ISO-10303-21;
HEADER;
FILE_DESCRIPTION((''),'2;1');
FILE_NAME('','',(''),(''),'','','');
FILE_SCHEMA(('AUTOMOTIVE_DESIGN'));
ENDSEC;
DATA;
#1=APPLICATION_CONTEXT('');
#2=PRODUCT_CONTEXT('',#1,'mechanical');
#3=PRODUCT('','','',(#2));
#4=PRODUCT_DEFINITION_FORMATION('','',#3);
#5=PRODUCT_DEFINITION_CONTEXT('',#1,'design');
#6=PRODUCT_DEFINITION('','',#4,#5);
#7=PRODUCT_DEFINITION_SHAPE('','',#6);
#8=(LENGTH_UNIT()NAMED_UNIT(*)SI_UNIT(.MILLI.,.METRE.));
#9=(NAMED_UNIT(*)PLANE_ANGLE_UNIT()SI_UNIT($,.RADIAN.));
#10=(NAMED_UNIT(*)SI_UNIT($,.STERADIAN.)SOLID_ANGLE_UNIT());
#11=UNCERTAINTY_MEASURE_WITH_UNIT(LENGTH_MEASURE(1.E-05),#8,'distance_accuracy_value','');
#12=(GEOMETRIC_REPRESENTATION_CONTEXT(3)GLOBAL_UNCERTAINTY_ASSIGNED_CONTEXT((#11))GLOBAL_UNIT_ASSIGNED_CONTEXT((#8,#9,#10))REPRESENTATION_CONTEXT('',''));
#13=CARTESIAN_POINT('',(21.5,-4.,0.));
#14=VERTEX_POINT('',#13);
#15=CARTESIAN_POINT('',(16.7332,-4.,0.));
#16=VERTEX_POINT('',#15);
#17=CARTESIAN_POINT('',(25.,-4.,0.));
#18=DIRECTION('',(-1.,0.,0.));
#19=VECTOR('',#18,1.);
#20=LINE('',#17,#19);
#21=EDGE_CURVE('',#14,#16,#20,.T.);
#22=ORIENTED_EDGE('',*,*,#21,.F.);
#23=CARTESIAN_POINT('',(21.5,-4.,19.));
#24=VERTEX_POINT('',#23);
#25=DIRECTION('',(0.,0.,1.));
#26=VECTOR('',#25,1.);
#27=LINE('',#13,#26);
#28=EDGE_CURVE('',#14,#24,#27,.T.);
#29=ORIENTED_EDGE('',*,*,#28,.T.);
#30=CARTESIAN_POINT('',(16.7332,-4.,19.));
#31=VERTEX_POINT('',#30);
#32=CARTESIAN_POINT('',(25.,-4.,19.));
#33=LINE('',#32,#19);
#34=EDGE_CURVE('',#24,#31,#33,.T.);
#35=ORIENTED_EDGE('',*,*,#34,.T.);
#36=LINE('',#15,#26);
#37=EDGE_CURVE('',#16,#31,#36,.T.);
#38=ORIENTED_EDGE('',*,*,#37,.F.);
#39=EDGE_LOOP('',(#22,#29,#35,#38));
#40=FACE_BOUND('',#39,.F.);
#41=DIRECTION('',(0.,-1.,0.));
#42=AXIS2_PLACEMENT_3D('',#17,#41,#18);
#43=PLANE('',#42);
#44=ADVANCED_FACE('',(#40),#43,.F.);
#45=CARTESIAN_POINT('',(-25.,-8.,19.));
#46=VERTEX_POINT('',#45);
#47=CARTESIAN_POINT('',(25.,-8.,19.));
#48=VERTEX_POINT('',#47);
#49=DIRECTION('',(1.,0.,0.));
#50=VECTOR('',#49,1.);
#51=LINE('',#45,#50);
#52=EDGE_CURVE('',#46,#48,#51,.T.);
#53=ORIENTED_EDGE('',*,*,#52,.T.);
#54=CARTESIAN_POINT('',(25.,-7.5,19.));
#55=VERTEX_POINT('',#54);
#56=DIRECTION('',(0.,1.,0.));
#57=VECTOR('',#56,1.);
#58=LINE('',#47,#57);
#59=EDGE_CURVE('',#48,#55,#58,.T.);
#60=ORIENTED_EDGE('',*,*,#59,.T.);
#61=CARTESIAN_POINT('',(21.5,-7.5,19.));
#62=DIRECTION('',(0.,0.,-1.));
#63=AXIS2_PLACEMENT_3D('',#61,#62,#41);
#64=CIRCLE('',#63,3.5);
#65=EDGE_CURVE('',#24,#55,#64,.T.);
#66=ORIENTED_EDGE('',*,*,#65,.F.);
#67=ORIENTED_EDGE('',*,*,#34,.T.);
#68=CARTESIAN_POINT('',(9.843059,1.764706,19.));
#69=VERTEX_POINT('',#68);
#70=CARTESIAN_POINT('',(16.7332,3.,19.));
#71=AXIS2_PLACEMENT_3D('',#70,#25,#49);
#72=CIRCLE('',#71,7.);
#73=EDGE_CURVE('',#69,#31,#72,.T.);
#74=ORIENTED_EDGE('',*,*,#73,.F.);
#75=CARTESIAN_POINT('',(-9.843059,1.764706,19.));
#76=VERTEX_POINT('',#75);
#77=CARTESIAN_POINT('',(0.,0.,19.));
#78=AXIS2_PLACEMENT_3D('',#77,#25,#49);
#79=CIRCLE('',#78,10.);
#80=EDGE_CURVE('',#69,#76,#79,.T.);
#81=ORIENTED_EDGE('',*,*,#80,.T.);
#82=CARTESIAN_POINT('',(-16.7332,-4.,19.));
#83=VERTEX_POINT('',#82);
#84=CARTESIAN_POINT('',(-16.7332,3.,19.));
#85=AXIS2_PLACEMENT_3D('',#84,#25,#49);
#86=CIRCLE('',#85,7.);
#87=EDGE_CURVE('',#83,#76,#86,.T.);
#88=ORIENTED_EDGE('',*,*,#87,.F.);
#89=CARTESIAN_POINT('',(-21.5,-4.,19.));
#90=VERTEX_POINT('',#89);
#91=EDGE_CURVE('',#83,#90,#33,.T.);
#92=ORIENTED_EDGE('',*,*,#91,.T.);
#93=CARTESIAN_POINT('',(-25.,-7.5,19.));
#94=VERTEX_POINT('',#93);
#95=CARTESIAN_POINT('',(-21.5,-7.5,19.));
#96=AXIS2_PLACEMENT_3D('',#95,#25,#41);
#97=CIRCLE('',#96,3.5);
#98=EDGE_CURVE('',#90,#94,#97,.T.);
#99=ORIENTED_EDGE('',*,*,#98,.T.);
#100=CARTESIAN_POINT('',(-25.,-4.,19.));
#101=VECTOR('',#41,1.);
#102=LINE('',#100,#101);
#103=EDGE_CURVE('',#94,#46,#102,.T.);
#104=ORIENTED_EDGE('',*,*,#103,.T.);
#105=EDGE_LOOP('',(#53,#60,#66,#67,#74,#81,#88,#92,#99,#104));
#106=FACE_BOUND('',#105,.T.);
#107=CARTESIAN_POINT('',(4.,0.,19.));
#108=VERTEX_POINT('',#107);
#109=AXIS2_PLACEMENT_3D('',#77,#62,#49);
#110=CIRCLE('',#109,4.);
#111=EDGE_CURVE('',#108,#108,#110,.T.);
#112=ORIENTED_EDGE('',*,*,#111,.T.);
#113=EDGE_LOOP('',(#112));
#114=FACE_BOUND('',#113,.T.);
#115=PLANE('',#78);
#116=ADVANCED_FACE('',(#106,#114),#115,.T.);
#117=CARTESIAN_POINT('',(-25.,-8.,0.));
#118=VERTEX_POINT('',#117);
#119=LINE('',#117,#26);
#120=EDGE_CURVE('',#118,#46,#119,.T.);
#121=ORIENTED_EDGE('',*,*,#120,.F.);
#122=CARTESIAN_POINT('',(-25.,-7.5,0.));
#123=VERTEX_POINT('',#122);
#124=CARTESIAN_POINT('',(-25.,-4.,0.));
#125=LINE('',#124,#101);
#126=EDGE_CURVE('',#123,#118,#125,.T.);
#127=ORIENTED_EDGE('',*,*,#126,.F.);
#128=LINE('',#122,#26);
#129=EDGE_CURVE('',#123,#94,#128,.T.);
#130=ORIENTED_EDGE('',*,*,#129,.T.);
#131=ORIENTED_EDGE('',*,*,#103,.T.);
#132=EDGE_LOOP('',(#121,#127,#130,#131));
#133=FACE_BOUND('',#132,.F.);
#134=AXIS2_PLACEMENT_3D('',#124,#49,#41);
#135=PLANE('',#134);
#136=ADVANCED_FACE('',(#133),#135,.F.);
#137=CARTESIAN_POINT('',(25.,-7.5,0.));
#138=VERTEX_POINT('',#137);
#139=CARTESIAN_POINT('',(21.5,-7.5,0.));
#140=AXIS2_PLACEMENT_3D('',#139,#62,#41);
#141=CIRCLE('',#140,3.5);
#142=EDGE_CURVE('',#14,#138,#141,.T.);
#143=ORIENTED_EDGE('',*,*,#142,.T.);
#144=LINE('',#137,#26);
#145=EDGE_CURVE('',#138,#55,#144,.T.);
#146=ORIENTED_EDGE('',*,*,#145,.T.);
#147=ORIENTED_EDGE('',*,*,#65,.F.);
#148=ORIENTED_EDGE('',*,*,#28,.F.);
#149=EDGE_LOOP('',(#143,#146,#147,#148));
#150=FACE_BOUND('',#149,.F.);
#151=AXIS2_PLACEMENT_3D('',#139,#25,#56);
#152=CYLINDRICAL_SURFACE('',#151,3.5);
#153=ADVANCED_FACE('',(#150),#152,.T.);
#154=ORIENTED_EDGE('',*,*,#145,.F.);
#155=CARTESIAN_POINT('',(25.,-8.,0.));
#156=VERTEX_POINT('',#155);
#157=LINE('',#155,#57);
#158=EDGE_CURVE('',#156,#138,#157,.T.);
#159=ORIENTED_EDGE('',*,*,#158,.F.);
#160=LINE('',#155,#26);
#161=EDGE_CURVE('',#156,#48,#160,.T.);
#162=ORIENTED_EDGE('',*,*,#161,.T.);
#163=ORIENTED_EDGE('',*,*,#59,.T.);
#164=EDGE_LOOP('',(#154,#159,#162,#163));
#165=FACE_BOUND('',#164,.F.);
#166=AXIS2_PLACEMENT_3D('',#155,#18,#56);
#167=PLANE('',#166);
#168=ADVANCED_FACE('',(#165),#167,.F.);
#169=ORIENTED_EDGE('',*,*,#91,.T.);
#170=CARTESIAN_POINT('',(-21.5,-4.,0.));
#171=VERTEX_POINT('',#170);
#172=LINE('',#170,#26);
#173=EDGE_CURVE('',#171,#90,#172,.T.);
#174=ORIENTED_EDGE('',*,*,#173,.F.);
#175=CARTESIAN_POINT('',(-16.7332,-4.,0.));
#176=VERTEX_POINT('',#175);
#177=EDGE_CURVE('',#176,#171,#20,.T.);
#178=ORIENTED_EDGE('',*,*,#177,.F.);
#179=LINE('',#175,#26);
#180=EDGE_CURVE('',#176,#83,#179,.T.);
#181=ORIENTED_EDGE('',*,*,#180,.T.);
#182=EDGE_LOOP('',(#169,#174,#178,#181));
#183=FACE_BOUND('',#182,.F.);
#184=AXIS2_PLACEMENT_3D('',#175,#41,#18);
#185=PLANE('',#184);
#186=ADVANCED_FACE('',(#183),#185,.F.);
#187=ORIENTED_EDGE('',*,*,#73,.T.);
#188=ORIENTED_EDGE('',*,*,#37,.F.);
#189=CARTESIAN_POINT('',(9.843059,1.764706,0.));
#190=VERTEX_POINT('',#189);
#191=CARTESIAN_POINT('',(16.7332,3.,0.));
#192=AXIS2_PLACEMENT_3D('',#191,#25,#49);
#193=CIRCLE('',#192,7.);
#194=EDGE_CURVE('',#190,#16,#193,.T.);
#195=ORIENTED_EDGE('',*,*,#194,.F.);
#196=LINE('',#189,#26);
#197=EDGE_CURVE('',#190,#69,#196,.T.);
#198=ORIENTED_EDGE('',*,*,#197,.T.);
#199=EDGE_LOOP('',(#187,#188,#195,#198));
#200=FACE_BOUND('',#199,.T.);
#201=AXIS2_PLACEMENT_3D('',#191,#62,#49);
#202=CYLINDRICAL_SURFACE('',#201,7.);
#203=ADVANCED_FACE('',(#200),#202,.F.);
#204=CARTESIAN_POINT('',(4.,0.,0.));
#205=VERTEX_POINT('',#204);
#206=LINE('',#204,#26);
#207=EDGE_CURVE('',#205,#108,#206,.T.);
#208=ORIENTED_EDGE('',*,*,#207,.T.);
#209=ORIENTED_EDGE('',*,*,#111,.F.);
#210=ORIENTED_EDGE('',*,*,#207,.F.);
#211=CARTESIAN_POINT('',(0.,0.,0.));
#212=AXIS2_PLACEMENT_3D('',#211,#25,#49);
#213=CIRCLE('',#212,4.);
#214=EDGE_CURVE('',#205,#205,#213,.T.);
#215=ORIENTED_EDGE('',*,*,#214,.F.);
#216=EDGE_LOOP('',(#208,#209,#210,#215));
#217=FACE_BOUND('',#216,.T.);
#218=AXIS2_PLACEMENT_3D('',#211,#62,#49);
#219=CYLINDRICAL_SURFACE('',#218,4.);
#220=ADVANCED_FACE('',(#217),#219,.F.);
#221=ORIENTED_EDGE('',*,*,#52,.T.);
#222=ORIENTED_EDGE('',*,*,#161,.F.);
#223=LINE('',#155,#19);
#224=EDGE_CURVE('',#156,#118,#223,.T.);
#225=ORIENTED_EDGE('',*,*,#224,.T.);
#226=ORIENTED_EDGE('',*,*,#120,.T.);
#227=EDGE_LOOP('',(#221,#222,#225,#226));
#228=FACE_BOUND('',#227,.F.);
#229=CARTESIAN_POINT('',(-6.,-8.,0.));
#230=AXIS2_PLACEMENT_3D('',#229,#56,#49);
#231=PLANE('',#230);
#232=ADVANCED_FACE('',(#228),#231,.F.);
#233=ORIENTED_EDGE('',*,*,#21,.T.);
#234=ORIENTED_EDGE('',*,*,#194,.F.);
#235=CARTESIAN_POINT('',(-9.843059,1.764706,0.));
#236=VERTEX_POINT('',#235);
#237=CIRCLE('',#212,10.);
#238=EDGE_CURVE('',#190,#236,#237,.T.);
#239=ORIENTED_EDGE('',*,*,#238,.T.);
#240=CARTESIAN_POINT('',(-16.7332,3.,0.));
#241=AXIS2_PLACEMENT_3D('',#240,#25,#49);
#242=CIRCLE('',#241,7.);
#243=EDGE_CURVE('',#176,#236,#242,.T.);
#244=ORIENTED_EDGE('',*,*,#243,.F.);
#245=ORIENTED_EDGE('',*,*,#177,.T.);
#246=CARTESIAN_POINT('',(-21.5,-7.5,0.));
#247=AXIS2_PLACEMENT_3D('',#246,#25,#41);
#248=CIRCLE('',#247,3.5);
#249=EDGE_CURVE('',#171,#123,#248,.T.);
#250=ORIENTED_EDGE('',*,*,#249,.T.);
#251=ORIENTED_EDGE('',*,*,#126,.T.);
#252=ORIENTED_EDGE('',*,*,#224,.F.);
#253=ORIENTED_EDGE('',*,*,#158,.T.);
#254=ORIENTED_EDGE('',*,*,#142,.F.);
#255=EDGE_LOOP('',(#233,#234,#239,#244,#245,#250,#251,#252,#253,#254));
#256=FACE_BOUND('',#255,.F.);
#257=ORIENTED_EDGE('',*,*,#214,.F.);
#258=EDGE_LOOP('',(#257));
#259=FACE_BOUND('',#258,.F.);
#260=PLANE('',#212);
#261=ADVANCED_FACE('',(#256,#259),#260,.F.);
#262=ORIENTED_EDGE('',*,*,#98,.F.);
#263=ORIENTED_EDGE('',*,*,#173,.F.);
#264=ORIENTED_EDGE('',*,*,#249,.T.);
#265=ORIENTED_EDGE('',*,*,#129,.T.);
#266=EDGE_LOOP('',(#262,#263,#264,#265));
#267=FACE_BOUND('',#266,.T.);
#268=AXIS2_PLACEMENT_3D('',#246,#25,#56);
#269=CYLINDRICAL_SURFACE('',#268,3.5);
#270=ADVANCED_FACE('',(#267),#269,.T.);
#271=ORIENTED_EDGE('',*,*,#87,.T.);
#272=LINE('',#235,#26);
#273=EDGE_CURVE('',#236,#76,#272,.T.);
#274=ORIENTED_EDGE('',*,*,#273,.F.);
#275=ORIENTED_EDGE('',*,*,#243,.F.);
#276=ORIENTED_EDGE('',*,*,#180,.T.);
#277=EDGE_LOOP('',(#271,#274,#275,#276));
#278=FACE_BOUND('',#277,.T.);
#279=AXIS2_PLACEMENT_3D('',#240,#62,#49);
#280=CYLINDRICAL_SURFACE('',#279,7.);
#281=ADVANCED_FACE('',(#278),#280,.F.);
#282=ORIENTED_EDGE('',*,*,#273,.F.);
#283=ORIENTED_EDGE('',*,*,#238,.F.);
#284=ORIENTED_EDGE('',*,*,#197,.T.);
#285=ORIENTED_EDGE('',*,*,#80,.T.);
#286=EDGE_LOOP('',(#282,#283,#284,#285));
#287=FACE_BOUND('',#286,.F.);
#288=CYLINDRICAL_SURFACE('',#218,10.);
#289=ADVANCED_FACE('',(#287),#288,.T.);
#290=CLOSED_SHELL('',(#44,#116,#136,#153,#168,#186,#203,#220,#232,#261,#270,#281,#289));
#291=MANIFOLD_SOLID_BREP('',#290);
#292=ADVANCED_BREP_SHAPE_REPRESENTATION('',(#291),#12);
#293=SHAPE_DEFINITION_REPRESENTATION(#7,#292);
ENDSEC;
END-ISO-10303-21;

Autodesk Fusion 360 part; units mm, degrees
sketch "Sketch1" plane through (0, 0, 0) normal (0, 0, 1) x (1, 0, 0)
  circle A0 centre (0, 0) radius 4
  circle A1 centre (0, 0) radius 10
  line L0 (-25, -8) -> (25, -8)
  line L1 (25, -8) -> (25, -4)
  line L2 (25, -4) -> (-25, -4)
  line L3 (-25, -4) -> (-25, -8)
  line L4 (-25, -8) -> (25, -4) construction
  line L5 (25, -8) -> (-25, -4) construction
  circle A2 centre (-16.7332, 3) radius 7
  circle A3 centre (16.7332, 3) radius 7
  dimension "d1" = 8
  dimension "d2" = 20
  dimension "d3" = 50
  dimension "d4" = 4
  dimension "d5" = 14
  dimension "d6" = 14
extrude "Extrude1" add sketch "Sketch1" along normal blind 19 contours A1 L2 | A1 L0 L2 | A1 L0 L1 L2 | A1 L2 A3 | A1 L2 A2 | A1 L0 L2 L3
fillet "Fillet1" radius 3.5 2 edges at (25, -4, 9.5) (-25, -4, 9.5)
